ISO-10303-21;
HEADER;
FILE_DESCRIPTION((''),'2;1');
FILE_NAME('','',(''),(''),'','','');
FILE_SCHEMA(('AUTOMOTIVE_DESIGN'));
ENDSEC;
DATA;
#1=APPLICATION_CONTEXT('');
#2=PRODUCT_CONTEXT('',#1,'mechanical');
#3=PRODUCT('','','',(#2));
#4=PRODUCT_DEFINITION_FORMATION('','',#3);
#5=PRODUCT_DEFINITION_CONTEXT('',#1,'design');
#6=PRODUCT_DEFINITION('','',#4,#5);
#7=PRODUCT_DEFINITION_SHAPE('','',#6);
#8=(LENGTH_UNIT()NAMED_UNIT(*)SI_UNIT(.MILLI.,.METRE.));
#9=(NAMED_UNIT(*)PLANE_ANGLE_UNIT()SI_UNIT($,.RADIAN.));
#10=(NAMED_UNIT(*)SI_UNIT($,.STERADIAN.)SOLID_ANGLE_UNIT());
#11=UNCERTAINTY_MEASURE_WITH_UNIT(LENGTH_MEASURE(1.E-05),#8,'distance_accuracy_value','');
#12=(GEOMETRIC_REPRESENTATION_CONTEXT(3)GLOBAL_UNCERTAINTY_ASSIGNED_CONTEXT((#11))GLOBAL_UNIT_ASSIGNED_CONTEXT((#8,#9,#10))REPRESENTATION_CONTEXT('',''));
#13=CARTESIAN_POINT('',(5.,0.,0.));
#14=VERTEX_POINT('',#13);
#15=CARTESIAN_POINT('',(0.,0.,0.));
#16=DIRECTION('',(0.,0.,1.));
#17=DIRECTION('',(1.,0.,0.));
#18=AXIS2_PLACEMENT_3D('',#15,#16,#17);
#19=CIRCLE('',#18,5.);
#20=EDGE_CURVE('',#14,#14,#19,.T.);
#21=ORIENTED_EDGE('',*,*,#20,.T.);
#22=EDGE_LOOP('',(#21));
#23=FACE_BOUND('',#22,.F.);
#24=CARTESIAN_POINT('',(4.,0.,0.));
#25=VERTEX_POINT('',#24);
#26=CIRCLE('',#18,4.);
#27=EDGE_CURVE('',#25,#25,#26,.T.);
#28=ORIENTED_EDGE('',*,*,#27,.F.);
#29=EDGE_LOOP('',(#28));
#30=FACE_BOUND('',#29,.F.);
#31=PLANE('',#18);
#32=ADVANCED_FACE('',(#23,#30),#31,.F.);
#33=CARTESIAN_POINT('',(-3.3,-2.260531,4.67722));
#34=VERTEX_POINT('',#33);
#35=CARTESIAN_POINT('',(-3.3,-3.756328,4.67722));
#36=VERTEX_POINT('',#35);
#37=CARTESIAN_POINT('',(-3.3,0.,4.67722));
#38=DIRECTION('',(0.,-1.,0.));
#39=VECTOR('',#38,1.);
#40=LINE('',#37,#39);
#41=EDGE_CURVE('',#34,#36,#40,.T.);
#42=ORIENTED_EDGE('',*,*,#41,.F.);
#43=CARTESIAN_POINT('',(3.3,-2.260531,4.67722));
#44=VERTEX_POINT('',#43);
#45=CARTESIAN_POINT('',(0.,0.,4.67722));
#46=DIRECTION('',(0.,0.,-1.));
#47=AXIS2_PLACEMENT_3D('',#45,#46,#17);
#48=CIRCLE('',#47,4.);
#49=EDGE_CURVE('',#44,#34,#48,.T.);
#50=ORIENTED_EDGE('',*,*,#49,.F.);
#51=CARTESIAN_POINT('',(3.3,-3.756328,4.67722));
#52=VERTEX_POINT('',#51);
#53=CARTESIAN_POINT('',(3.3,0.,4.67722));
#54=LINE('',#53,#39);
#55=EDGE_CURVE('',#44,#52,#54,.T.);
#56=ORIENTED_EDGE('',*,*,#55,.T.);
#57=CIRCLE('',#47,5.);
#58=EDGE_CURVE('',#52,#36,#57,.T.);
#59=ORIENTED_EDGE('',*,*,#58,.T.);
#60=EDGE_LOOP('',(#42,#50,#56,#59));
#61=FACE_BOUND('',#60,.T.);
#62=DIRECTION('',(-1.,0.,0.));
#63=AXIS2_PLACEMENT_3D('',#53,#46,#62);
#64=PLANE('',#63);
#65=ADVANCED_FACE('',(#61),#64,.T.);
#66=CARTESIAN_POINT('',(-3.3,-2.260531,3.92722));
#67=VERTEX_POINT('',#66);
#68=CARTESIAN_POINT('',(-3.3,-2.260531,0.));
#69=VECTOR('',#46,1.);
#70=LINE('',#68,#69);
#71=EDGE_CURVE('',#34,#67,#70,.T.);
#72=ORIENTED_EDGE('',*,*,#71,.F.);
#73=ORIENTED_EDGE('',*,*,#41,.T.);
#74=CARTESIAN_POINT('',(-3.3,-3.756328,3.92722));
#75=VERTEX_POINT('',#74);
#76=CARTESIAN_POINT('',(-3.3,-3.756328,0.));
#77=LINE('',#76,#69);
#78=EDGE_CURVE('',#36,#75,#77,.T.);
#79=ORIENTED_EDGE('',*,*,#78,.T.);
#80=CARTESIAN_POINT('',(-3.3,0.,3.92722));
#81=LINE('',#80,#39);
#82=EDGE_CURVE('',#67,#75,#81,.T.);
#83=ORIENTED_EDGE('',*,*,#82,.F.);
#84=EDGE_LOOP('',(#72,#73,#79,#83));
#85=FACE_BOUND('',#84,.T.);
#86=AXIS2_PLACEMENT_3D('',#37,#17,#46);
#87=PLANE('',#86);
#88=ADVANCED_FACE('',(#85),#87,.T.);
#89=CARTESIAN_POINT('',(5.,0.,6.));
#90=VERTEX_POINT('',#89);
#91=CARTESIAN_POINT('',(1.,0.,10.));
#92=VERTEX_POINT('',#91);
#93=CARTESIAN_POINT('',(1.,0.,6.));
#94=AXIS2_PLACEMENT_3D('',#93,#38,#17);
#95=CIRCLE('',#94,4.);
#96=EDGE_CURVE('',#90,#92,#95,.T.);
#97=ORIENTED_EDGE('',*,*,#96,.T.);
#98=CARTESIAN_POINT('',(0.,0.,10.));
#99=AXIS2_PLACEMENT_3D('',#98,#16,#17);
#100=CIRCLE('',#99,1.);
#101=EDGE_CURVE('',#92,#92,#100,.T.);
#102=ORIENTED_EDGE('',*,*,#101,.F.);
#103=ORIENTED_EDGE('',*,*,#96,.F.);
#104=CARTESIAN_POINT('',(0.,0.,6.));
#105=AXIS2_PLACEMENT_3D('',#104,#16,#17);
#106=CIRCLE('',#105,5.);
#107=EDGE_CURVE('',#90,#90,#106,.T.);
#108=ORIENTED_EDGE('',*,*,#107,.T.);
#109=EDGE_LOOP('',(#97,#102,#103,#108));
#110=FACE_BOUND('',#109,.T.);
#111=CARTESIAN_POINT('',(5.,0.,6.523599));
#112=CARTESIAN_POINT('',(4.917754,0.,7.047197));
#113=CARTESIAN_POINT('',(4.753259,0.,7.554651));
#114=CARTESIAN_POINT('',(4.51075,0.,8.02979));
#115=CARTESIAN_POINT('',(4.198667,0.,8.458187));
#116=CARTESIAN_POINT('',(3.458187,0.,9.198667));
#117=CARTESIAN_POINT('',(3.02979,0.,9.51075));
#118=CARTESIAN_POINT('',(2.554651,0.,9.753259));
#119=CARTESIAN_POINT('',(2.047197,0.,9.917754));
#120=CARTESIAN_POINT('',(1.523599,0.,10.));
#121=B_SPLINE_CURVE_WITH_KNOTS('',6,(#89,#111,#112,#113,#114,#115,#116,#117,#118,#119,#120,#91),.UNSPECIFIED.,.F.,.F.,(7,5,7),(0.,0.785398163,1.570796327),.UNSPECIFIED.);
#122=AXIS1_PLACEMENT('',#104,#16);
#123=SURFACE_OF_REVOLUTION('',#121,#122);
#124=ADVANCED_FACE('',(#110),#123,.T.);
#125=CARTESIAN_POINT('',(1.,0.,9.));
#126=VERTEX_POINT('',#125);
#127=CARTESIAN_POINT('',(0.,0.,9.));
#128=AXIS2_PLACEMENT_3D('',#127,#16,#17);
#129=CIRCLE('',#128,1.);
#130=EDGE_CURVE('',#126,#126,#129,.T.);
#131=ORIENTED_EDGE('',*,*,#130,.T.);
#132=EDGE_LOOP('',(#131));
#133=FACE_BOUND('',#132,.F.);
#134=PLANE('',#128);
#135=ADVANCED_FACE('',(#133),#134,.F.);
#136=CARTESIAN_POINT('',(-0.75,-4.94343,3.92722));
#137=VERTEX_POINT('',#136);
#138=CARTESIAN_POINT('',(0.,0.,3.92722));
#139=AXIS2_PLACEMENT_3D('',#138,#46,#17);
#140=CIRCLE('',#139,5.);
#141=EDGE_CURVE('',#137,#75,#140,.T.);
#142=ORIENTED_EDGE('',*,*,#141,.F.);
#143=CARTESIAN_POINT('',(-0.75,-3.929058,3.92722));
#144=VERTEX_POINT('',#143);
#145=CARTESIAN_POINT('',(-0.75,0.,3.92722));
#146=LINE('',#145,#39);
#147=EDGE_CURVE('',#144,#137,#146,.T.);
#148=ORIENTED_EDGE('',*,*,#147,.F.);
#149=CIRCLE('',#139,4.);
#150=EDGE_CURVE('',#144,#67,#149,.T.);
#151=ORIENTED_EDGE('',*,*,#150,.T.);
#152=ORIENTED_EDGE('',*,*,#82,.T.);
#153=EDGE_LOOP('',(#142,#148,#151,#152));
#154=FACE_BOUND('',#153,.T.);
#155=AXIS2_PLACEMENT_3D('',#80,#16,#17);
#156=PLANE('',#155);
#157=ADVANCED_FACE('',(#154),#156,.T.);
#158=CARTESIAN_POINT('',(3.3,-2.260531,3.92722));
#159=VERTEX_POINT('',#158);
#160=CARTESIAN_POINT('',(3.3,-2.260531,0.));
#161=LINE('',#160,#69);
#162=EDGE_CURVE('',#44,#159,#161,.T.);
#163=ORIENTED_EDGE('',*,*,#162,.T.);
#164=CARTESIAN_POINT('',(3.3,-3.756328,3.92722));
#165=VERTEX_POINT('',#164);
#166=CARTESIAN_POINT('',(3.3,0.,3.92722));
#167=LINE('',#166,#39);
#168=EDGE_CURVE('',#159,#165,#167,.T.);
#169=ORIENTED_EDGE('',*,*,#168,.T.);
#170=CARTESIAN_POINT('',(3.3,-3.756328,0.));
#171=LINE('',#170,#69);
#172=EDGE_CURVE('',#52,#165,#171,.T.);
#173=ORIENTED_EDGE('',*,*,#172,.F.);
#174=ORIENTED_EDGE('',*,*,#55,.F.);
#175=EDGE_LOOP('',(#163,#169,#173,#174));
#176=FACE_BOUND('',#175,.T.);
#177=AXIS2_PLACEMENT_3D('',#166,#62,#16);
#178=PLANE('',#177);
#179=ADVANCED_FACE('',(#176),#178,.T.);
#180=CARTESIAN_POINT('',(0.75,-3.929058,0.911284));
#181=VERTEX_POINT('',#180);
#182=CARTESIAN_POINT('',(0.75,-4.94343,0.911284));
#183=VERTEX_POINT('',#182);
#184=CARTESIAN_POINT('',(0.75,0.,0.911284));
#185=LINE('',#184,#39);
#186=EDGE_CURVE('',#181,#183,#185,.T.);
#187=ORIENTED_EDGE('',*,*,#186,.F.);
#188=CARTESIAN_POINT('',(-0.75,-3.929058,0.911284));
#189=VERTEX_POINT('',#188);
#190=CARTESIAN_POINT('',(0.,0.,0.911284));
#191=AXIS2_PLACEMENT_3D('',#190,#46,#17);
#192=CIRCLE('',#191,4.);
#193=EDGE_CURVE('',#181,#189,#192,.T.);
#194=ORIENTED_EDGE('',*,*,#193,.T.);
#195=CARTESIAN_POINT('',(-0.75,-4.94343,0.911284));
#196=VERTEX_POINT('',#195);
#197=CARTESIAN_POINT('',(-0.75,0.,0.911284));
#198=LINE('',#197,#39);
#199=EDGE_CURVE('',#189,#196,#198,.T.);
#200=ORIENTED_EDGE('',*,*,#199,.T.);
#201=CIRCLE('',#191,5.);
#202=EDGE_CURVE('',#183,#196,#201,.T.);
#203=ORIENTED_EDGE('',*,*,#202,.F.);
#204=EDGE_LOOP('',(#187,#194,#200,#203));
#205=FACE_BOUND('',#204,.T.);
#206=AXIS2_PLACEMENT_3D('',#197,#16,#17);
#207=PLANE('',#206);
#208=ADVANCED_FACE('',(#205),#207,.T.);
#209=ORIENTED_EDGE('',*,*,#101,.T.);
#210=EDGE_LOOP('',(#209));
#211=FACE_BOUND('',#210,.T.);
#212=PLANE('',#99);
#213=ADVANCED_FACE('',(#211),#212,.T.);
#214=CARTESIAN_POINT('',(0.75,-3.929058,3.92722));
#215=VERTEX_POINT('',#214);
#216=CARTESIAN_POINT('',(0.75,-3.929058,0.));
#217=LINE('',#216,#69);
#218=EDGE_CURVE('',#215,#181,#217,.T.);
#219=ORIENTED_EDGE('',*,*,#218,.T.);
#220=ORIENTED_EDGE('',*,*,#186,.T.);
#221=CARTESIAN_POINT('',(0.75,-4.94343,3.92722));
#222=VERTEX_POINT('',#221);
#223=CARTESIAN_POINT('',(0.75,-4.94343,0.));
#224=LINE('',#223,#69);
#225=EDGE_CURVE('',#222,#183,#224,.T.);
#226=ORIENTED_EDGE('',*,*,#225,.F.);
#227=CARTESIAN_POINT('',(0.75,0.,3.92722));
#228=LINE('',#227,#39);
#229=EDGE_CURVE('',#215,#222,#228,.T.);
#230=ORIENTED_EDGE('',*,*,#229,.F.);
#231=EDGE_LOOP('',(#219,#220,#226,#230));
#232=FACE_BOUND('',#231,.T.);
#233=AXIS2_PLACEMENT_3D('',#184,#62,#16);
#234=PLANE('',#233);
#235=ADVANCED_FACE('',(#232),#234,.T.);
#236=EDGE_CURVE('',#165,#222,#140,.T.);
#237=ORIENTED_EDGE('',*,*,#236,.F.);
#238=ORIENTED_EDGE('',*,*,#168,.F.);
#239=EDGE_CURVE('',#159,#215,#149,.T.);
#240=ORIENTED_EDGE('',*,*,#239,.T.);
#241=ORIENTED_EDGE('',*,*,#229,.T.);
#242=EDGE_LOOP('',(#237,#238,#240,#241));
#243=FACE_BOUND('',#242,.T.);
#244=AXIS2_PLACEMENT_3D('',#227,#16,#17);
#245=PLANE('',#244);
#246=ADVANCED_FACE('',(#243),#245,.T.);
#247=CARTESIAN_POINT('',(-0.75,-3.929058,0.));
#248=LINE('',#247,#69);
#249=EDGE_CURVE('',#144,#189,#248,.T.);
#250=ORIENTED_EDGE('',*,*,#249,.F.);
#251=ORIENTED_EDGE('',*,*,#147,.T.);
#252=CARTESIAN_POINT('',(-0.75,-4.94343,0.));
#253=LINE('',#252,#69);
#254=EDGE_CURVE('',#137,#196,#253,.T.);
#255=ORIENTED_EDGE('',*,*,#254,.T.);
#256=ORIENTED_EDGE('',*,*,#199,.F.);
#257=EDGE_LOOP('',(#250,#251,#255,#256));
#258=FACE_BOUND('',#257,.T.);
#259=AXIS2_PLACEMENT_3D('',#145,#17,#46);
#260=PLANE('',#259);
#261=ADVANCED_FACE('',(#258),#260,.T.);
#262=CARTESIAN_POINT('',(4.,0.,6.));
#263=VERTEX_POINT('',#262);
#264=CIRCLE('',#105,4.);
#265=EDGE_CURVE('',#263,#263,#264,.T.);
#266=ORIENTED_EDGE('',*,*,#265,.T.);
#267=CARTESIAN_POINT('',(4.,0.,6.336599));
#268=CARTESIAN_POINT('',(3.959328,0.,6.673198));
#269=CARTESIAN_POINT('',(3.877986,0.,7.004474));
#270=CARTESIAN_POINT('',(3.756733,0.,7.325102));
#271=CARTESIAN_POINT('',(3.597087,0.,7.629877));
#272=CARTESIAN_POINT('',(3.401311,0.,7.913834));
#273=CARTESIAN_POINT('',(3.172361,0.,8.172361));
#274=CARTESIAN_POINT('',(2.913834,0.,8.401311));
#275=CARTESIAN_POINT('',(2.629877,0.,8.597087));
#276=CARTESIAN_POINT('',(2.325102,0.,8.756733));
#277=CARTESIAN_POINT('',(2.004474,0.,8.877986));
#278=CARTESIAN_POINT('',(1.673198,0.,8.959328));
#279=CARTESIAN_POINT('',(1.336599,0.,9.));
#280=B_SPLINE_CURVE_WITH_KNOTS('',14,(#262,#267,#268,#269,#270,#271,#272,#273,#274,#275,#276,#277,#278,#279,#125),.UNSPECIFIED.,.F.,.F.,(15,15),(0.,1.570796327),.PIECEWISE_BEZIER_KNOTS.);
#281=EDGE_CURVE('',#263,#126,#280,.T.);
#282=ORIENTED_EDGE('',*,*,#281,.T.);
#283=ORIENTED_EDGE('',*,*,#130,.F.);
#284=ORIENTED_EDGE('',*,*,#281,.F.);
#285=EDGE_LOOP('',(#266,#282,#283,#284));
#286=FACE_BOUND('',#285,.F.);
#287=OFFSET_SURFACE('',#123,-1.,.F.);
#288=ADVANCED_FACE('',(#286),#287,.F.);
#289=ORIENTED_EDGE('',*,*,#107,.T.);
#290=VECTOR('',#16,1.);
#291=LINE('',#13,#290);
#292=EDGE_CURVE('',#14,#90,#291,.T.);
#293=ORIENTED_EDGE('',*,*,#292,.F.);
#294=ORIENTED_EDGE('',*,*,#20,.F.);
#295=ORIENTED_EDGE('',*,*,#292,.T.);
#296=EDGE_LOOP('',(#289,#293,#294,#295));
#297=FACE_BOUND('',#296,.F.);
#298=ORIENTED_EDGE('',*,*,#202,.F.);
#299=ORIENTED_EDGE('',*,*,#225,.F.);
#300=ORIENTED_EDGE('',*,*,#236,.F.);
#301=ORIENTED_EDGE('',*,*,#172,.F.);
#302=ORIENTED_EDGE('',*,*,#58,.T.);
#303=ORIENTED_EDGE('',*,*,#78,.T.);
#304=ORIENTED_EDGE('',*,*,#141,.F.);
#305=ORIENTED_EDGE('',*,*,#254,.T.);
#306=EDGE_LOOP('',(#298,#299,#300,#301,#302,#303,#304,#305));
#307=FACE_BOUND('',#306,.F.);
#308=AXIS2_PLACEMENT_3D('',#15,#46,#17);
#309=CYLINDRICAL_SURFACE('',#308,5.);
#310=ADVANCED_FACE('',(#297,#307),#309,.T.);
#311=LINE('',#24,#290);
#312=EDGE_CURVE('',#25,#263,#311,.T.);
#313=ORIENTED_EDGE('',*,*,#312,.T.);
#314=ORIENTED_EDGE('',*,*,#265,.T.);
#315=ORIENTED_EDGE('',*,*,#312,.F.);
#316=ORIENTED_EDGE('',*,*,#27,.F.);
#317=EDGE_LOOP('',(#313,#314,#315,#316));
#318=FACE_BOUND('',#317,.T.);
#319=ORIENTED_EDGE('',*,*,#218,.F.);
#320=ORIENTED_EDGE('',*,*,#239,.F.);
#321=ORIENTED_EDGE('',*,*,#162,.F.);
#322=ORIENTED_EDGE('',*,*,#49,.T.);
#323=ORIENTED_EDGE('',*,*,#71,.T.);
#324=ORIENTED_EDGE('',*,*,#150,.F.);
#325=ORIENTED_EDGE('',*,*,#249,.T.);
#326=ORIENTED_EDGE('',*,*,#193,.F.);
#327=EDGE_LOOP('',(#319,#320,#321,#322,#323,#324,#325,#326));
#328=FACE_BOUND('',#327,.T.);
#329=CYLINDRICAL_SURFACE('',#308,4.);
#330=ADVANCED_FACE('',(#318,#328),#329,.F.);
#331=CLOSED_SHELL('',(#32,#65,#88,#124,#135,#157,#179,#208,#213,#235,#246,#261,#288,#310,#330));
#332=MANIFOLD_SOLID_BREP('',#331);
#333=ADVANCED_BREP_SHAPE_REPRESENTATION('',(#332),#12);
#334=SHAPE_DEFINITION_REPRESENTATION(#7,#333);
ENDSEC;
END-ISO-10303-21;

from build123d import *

# Parameters (mm, degrees)
F0_R     = 5
F1_DEPTH = 10
F2_R     = 4
F3_T     = -1
F5_DEPTH = 25


with BuildPart() as f1:
    # F0 (on Top) → F1 (new body)
    with BuildSketch(Plane.XY):
        Circle(F0_R)
    extrude(amount=F1_DEPTH)

    # F2
    f2_edges = [f1.edges().sort_by_distance(p)[0] for p in [
        (-5, 0, 10),
    ]]
    fillet(f2_edges, radius=F2_R)

    # F3
    f3_openings = [f1.faces().sort_by_distance(p)[0] for p in [
        (0, 0, 0),
    ]]
    offset(amount=F3_T, openings=f3_openings)

    # F4 (on Front) → F5 (cut)
    with BuildSketch(Plane.XZ):
        Polygon((3.3, 4.67722), (0, 4.67722), (-3.3, 4.67722), (-3.3, 3.92722), (-0.75, 3.92722), (-0.75, 0.911284), (0.75, 0.911284), (0.75, 3.92722), (3.3, 3.92722), align=None)
    extrude(amount=F5_DEPTH, mode=Mode.SUBTRACT)


solid = f1.part
